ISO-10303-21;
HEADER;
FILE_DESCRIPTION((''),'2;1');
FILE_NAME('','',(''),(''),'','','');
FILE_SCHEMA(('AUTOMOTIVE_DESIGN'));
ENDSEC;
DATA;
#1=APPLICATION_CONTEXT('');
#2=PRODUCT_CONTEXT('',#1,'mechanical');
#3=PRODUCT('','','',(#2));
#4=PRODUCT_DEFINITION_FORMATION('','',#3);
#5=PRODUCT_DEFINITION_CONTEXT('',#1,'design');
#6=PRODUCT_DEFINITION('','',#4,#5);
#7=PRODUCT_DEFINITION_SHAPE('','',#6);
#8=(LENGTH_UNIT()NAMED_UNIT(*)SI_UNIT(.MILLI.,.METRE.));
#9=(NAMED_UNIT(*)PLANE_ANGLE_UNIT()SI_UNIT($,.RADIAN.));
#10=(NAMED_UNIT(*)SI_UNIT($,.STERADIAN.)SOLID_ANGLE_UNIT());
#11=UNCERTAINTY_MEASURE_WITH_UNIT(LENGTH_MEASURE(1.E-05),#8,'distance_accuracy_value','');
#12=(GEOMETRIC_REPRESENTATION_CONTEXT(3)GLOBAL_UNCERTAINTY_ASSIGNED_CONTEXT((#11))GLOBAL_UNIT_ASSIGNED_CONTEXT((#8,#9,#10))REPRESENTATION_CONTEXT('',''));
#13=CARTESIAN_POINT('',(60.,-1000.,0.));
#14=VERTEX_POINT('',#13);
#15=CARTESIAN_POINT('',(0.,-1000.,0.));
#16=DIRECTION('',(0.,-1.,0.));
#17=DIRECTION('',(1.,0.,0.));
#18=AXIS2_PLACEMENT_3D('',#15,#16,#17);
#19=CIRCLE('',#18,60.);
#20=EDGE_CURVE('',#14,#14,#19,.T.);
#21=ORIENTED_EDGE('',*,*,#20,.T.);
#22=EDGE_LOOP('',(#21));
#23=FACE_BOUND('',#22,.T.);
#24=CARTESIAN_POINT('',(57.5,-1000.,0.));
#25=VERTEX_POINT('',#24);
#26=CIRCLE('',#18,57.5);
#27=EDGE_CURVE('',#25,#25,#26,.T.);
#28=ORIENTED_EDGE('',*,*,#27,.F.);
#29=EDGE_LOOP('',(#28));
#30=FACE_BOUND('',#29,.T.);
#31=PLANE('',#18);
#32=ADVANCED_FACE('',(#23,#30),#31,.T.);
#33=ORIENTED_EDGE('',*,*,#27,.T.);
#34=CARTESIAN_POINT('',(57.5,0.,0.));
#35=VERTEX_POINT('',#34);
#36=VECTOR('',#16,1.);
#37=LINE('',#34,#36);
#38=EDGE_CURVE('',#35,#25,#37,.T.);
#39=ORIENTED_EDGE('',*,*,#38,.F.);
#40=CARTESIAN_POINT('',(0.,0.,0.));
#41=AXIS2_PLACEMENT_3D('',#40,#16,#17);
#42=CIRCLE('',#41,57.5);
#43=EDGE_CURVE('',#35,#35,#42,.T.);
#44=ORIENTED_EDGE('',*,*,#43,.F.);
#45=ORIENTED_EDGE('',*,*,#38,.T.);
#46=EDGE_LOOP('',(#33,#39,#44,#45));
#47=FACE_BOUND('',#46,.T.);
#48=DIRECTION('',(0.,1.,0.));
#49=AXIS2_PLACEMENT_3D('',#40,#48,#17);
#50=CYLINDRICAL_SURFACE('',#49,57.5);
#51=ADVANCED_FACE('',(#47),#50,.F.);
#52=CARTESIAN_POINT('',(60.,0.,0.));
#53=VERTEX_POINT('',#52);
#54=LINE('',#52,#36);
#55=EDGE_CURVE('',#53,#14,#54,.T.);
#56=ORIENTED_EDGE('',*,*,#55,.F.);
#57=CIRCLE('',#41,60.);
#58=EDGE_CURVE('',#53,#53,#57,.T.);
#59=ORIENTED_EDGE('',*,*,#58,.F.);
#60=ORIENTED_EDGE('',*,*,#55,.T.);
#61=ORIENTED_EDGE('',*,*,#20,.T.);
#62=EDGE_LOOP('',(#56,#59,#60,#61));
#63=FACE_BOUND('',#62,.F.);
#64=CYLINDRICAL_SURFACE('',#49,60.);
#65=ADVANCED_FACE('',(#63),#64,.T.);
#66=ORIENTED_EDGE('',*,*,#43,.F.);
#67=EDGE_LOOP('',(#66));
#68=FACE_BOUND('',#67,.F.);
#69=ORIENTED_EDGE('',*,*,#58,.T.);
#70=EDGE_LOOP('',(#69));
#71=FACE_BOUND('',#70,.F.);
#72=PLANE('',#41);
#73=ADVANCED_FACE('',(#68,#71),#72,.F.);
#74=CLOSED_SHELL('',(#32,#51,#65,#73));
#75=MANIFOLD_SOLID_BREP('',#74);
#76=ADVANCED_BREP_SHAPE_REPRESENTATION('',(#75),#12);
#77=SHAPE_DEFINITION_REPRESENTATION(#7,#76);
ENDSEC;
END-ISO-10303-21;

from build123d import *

# Parameters (mm, degrees)
SKETCH_R   = 60
SKETCH_R_2 = 57.5
PAD_DEPTH  = 1000


with BuildPart() as part:
    # Sketch → Pad (new body)
    with BuildSketch(Plane.XZ):
        Circle(SKETCH_R)
        Circle(SKETCH_R_2, mode=Mode.SUBTRACT)
    extrude(amount=PAD_DEPTH)


solid = part.part
